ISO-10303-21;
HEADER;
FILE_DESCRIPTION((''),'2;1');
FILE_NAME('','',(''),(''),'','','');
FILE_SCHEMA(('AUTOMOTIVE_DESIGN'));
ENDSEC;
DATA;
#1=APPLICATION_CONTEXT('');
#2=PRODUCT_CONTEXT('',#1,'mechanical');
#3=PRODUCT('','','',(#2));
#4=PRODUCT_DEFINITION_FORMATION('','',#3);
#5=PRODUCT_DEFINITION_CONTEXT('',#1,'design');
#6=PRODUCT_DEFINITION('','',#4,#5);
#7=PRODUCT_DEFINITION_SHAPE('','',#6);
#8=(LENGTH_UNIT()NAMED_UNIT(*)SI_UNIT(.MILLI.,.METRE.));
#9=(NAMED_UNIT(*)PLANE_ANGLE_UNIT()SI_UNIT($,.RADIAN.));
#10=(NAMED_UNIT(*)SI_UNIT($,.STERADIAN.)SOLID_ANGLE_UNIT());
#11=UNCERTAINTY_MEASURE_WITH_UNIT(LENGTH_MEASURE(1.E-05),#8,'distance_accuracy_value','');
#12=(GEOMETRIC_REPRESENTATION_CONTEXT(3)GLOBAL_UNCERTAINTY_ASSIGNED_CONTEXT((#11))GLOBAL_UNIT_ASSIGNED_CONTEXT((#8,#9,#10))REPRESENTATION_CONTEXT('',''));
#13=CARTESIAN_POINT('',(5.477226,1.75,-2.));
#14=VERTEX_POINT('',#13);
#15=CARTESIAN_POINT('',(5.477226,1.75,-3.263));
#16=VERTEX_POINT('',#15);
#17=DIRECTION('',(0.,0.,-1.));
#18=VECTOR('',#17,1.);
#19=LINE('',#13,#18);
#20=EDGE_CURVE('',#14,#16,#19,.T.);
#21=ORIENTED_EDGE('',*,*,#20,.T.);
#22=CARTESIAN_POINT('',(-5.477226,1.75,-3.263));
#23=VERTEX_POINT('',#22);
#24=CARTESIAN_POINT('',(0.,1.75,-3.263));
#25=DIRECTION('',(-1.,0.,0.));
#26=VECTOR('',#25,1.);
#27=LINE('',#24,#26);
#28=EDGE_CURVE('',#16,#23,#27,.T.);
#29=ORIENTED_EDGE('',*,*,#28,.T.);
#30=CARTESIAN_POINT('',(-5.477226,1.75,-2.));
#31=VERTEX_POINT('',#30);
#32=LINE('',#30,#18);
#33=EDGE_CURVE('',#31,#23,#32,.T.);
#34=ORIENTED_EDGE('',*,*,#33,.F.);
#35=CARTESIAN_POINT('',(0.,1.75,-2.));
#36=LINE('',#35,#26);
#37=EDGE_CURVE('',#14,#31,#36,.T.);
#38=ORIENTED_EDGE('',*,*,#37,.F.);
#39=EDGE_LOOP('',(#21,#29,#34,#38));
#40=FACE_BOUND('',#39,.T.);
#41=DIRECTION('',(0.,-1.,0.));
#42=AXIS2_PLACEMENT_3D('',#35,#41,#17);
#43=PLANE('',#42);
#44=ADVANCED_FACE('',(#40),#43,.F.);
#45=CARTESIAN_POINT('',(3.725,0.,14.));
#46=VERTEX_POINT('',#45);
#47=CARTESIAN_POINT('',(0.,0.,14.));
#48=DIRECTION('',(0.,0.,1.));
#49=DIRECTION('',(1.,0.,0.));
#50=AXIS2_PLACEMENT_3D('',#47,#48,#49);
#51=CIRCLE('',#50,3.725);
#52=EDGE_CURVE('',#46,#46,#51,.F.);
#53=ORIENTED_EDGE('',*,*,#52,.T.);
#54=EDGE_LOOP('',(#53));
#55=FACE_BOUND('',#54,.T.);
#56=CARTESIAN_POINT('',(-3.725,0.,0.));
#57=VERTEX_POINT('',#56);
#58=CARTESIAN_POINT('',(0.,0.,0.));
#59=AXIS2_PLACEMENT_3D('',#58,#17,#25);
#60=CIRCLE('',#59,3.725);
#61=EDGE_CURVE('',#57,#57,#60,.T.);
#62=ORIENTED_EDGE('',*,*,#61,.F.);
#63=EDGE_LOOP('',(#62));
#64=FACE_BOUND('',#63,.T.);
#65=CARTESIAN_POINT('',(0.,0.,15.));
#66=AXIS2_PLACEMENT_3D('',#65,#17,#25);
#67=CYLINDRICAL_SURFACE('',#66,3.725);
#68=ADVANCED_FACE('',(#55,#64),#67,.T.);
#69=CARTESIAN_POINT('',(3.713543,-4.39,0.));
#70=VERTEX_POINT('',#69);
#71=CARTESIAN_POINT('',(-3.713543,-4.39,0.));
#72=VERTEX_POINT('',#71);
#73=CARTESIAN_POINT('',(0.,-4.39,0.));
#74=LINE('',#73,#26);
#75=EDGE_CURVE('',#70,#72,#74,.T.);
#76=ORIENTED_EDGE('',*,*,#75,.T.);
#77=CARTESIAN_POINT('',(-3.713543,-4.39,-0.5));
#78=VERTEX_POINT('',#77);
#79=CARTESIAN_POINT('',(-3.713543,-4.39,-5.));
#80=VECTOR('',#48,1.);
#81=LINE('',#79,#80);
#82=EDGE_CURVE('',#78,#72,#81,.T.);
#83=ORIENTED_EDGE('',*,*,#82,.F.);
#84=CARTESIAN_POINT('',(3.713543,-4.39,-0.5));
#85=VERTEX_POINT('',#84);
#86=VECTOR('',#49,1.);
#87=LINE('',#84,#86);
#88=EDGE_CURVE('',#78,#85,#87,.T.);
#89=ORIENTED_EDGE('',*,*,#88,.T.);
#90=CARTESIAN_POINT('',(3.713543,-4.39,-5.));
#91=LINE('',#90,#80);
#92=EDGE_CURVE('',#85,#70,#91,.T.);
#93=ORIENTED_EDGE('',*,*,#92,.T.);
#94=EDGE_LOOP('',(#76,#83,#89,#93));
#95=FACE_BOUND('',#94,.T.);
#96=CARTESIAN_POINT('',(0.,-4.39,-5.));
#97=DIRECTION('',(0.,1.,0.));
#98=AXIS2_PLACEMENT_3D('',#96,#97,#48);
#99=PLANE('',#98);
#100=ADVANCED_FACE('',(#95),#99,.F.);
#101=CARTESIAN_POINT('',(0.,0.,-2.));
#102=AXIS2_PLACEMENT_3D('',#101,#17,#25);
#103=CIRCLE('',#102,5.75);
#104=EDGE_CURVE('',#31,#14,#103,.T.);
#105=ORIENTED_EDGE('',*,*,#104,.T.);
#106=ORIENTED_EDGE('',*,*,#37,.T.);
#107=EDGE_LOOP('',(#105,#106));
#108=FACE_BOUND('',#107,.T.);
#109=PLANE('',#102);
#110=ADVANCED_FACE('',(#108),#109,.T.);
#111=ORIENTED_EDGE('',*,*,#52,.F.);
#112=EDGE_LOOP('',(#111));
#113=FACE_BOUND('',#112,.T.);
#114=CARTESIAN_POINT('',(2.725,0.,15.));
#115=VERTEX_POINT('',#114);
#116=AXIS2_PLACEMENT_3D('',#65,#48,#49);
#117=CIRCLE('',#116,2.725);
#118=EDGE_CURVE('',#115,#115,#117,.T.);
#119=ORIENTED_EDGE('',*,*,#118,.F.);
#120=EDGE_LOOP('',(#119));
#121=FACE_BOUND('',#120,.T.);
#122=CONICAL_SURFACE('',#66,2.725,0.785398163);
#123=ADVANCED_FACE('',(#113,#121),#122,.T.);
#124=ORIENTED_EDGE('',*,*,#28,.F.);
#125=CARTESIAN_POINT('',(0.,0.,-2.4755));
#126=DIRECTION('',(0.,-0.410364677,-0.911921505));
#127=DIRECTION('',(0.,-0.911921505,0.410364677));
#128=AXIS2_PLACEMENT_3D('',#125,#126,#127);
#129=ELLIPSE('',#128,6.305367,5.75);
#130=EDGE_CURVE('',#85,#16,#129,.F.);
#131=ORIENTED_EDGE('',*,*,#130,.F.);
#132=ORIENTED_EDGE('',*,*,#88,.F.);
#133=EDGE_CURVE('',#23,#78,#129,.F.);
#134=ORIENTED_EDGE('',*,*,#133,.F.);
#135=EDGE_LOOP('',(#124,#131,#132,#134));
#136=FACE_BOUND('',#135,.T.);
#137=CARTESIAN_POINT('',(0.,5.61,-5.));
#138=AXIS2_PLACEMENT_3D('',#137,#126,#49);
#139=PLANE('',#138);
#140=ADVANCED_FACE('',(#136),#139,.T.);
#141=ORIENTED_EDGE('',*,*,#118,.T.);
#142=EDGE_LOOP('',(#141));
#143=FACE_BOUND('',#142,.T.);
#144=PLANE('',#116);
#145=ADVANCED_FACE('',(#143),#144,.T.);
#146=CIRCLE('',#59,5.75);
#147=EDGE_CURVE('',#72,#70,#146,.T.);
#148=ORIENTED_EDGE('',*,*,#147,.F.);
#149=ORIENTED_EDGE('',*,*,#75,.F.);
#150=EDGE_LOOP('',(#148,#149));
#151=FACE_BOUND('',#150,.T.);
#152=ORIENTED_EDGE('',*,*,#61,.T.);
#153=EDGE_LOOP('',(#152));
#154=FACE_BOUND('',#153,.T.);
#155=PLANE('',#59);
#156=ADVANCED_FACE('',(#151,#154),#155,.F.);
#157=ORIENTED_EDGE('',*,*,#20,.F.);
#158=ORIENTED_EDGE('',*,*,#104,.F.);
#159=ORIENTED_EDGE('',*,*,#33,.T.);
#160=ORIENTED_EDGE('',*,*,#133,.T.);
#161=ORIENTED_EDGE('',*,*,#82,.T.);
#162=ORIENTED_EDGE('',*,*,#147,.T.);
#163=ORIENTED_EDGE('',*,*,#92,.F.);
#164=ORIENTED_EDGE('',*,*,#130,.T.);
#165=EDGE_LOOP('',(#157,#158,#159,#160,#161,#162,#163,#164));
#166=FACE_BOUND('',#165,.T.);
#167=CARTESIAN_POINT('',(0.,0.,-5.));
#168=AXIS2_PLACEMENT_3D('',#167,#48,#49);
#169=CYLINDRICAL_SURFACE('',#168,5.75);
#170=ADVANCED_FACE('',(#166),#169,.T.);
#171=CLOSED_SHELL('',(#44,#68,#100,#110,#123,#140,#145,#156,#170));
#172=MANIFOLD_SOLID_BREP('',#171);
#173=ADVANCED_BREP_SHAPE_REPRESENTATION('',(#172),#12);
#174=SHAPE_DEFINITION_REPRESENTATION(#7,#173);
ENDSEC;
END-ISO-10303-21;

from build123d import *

# Parameters (mm, degrees)
SKETCH_1_R          = 3.725
EXTRUDE_1_DEPTH     = 15
EXTRUDE_START       = 5
SKETCH_2_R          = 3.725
EXTRUDE_2_DEPTH     = 5
CHAMFER_2_SIZE      = 1
CHAMFER_3_SIZE      = 4.5
CHAMFER_3_SIZE2     = 10
CUT_EXTRUDE_1_DEPTH = 3


with BuildPart() as part:
    # 스케치1 → 보스-돌출1 (new body)
    with BuildSketch(Plane.XY):
        Circle(SKETCH_1_R)
    extrude(amount=EXTRUDE_1_DEPTH)

    # 스케치2 → 보스-돌출2 (add)
    # profile 1 of 2: a face of its own
    with BuildSketch(Plane(origin=(0, 0, 0), x_dir=(-1, 0, 0), z_dir=(0, 0, -1)).offset(EXTRUDE_START)):
        with BuildLine():
            ThreePointArc((5.75, 0), (-2.419672395, 5.216098686), (-3.713542783, -4.39))
            Line((-3.713542783, -4.39), (3.713542783, -4.39))
            ThreePointArc((3.713542783, -4.39), (5.216098686, -2.419672395), (5.75, 0))
        make_face()
        Circle(SKETCH_2_R, mode=Mode.SUBTRACT)
    # profile 2 of 2: a face of its own
    with BuildSketch(Plane(origin=(0, 0, 0), x_dir=(-1, 0, 0), z_dir=(0, 0, -1)).offset(EXTRUDE_START)):
        Circle(SKETCH_2_R)
    extrude(amount=-EXTRUDE_2_DEPTH)

    # 모따기2
    chamfer_2_edges = [part.edges().sort_by_distance(p)[0] for p in [
        (-3.725, 0, 15),
    ]]
    chamfer(chamfer_2_edges, length=CHAMFER_2_SIZE)

    # 모따기3
    chamfer_3_edges = [part.edges().sort_by_distance(p)[0] for p in [
        (0, -4.39, -5),
    ]]
    chamfer_3_side = [part.faces().sort_by_distance(p)[0] for p in [
        (0, -4.39, -2.5),
    ]]
    chamfer(chamfer_3_edges, length=CHAMFER_3_SIZE, length2=CHAMFER_3_SIZE2, reference=chamfer_3_side[0])

    # 스케치3 → 컷-돌출1 (cut)
    with BuildSketch(Plane(origin=(0, 0, -5), x_dir=(-1, 0, 0), z_dir=(0, 0, -1))):
        with BuildLine():
            ThreePointArc((-1.261110622, 5.61), (-3.882807448, 4.241026565), (-5.477225575, 1.75))
            Line((-5.477225575, 1.75), (5.477225575, 1.75))
            ThreePointArc((5.477225575, 1.75), (3.882807448, 4.241026565), (1.261110622, 5.61))
            Line((1.261110622, 5.61), (-1.261110622, 5.61))
        make_face()
        with BuildLine():
            Line((-1.261110622, 5.61), (1.261110622, 5.61))
            ThreePointArc((1.261110622, 5.61), (0, 5.75), (-1.261110622, 5.61))
        make_face()
    extrude(amount=-CUT_EXTRUDE_1_DEPTH, mode=Mode.SUBTRACT)


solid = part.part
